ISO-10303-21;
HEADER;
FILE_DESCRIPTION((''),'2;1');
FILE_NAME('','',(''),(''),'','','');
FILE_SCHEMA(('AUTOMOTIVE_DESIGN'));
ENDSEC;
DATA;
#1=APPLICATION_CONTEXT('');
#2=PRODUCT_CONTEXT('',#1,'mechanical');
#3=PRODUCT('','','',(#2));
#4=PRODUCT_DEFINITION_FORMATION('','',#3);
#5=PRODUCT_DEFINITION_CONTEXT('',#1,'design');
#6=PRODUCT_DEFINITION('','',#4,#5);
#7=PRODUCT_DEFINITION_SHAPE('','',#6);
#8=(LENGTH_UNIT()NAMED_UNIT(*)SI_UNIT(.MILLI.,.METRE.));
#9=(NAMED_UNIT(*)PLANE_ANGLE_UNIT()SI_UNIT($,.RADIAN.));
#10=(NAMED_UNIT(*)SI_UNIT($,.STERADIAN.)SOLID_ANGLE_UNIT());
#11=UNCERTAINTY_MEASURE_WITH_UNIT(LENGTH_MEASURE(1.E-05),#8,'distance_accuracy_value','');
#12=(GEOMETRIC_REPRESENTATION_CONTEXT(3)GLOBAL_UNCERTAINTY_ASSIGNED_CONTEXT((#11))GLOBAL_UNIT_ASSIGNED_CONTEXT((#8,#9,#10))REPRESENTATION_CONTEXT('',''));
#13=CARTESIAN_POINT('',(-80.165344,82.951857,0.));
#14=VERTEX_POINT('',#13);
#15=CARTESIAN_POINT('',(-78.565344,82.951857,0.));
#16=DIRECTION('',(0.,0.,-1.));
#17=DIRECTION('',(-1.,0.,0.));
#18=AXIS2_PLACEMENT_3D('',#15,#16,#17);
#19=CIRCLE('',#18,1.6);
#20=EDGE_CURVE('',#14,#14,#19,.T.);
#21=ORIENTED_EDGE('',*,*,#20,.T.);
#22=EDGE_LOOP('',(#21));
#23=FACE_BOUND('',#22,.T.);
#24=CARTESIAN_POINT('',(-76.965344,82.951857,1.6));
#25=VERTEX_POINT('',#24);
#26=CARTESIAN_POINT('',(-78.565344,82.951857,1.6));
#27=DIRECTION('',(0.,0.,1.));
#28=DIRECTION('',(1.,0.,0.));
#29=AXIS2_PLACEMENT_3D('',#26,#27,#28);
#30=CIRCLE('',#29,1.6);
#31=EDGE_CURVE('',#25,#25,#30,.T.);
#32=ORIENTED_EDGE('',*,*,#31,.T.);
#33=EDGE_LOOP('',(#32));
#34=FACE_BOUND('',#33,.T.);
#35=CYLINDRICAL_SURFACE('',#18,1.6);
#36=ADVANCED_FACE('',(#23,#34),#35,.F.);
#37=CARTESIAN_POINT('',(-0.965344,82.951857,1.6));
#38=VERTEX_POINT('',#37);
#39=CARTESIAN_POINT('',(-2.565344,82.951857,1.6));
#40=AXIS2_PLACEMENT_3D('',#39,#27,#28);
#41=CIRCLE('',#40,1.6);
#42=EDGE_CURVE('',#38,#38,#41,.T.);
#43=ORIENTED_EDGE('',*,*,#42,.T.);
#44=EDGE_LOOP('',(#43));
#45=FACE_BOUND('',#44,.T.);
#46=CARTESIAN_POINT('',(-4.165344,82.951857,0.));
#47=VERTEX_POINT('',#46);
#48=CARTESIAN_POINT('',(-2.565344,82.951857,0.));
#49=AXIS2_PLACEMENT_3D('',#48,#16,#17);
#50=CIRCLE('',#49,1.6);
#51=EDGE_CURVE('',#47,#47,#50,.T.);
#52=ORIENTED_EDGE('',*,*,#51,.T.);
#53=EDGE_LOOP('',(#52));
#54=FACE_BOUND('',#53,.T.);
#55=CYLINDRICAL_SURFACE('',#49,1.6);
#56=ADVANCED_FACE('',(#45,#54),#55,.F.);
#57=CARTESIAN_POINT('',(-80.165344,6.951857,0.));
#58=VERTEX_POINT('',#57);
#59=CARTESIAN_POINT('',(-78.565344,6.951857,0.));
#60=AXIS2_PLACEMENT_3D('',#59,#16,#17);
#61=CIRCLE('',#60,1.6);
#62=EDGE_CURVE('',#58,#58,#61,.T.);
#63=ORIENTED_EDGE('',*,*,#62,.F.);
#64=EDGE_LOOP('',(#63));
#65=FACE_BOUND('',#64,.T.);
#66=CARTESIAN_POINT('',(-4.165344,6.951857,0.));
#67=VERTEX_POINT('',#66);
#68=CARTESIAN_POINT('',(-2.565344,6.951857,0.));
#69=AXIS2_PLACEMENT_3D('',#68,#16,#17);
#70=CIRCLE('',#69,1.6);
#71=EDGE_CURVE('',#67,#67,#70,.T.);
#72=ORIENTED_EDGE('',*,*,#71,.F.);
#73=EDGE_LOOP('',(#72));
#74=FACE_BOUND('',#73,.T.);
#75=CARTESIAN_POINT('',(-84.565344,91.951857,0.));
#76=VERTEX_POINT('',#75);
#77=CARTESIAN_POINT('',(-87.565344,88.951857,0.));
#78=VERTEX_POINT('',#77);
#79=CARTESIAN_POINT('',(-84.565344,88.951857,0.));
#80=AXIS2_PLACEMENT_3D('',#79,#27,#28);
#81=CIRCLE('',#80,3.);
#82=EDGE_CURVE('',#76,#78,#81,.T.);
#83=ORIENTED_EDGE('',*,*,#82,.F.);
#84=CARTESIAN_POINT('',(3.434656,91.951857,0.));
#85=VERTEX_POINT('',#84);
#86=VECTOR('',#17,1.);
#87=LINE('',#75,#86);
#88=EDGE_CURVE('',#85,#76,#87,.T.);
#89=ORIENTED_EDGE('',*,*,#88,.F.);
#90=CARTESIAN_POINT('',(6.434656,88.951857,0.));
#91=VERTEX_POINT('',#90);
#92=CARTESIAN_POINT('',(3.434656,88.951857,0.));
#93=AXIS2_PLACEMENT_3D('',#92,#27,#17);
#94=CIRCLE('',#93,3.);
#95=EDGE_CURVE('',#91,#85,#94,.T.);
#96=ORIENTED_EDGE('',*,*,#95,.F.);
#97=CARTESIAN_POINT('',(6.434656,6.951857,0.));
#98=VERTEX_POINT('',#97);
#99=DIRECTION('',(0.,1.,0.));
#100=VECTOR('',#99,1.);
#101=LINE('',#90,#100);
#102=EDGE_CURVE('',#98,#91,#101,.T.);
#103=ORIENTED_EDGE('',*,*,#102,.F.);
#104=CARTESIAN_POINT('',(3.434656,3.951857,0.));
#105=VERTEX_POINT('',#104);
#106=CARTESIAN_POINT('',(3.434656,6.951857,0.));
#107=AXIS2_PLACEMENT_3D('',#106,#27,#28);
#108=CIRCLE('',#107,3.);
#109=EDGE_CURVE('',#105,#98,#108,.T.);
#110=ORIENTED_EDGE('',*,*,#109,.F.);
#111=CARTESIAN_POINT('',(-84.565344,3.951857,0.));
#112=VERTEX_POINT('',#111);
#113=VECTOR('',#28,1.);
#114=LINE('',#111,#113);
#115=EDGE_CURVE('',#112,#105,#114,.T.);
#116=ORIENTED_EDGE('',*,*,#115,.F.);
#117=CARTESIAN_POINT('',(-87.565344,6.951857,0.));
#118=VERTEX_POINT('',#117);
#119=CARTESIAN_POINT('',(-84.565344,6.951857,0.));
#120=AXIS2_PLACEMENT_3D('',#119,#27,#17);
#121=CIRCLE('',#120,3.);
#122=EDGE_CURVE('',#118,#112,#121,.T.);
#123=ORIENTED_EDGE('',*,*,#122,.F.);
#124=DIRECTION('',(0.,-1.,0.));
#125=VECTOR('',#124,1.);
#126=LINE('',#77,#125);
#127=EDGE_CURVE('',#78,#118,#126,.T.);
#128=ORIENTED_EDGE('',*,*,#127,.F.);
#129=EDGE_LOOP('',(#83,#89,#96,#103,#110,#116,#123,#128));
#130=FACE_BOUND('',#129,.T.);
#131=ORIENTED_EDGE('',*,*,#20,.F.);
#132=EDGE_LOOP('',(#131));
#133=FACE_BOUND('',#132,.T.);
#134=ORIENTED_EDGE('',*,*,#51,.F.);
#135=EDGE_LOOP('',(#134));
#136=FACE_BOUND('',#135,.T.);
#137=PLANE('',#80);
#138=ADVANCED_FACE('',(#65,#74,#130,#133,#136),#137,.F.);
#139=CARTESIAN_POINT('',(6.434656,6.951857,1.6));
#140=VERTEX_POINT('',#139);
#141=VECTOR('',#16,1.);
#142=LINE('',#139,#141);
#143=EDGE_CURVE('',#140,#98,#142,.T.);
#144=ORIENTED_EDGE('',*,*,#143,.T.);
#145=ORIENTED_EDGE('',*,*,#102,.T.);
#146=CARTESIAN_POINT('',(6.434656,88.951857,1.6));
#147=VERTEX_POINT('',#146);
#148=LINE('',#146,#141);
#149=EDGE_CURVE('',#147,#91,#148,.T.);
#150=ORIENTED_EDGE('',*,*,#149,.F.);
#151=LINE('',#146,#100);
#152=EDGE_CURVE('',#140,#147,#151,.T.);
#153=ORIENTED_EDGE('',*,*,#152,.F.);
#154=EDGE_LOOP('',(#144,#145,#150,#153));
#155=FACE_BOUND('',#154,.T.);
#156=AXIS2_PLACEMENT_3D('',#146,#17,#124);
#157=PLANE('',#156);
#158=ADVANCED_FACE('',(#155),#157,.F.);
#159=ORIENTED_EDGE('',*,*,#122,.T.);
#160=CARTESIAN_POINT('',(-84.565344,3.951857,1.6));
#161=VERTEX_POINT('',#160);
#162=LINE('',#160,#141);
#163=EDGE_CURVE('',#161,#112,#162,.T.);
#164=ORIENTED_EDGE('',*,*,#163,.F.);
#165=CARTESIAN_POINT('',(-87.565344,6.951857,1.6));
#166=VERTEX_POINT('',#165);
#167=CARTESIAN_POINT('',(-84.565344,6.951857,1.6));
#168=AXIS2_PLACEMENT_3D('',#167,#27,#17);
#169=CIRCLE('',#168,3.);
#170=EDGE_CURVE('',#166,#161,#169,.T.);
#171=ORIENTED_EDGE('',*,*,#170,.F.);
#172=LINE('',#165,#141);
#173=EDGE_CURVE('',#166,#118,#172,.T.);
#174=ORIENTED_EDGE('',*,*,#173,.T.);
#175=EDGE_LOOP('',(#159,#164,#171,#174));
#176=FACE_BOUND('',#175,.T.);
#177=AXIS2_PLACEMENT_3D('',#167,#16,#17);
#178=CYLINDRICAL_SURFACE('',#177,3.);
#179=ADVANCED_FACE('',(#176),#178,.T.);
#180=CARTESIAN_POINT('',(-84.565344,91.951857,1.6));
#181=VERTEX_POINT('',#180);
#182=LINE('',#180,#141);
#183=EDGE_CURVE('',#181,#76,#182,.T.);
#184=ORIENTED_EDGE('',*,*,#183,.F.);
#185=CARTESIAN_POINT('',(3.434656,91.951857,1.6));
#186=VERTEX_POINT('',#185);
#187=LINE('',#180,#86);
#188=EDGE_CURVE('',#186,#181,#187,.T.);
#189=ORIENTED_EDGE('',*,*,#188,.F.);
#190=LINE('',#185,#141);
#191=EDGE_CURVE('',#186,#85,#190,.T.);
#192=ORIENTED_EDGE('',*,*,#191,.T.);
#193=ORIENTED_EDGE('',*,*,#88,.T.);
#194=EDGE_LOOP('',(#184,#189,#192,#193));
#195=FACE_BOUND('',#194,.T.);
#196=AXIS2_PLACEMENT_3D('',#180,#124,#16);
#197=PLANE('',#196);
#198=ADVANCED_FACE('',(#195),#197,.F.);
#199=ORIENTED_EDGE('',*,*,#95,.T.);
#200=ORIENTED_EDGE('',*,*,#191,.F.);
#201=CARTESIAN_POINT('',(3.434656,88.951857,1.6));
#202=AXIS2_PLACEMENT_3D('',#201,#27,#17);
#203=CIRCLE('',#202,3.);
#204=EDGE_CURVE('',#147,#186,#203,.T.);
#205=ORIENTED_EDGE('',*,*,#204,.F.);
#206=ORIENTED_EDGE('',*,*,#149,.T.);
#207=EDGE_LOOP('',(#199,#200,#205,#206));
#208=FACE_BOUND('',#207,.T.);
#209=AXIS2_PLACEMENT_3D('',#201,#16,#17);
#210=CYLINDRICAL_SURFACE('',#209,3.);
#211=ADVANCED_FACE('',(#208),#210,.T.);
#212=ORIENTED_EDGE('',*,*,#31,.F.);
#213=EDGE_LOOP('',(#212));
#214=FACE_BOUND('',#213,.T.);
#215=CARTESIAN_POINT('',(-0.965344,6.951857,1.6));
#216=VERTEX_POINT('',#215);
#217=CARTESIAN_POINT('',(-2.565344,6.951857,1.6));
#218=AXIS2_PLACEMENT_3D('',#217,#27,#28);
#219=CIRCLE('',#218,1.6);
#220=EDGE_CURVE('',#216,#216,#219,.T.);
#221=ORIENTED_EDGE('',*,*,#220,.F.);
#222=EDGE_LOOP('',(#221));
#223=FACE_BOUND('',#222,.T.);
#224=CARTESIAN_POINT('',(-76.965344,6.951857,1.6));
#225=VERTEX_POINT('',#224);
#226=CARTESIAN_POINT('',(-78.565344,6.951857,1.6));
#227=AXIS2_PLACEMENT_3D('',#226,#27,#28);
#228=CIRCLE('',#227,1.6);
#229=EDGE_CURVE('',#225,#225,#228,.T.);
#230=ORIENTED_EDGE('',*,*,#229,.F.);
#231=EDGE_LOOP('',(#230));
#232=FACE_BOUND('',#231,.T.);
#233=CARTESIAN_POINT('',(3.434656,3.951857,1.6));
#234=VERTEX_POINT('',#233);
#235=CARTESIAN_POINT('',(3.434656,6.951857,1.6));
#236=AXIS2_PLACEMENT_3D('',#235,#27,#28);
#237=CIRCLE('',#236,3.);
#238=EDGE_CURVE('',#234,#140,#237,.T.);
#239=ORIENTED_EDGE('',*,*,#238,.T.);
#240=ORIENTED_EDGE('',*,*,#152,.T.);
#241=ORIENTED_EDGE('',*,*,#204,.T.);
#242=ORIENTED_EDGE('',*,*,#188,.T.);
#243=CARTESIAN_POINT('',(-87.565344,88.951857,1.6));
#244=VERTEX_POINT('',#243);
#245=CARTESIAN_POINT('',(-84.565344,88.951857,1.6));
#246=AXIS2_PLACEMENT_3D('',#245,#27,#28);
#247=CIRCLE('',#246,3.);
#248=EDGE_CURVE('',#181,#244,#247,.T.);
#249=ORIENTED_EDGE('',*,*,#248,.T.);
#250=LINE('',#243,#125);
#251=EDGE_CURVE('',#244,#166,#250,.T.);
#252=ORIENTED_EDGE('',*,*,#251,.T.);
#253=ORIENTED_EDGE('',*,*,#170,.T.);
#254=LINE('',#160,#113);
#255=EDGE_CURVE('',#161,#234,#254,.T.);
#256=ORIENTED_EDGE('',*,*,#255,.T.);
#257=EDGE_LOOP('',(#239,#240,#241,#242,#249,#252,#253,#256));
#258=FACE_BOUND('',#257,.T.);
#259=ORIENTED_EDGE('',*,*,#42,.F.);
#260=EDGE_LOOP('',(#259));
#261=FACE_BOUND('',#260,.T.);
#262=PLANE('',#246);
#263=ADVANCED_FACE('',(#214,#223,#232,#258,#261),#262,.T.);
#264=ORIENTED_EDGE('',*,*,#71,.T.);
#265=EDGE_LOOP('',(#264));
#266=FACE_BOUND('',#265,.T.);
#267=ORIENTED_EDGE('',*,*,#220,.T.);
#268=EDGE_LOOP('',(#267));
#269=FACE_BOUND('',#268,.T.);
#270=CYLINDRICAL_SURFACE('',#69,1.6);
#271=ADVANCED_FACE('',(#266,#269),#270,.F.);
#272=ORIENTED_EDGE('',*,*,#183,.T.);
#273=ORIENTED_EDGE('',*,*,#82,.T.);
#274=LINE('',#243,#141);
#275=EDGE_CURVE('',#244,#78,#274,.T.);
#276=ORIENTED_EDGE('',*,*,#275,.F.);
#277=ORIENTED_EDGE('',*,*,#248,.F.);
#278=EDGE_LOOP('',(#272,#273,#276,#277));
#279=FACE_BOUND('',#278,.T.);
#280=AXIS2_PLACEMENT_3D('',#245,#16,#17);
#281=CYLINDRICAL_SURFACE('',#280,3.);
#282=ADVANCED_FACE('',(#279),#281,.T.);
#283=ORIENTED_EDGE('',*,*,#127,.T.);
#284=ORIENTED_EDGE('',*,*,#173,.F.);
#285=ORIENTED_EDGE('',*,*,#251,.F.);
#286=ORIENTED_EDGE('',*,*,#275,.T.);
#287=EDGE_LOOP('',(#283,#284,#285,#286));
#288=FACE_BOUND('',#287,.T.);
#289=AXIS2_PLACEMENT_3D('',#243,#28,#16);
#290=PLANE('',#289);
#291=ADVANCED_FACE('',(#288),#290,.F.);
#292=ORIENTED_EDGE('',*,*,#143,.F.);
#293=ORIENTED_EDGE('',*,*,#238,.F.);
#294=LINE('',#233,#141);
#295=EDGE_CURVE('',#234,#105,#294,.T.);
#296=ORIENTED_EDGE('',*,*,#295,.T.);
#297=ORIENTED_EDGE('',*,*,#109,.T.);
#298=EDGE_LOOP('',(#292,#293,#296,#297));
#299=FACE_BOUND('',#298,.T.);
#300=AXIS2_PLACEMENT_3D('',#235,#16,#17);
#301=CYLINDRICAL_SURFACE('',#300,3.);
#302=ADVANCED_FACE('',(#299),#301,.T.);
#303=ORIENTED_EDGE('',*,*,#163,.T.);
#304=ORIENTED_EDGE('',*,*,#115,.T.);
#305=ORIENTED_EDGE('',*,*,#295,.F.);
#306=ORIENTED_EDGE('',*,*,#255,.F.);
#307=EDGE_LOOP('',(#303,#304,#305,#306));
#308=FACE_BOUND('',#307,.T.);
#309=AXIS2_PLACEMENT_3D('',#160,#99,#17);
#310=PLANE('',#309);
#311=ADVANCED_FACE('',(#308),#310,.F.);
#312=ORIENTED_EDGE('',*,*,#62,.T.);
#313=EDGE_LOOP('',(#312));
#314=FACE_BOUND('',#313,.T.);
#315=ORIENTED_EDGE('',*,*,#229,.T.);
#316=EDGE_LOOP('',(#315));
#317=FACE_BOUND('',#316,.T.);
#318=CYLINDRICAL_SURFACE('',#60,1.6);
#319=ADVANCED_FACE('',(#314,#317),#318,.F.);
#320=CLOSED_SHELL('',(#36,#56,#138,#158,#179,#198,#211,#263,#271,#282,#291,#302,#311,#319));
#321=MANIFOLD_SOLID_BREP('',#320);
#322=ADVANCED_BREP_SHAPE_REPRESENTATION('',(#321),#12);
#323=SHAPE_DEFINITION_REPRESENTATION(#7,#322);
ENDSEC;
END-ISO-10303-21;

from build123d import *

# Parameters (mm, degrees)
BOSS_EXTRUDE1_DEPTH        = 1.6
F_3_2_3_2_DIAMETER_HOLE3_D = 3.2


with BuildPart() as part:
    # Sketch1 → Boss-Extrude1 (new body)
    with BuildSketch(Plane.XY):
        with BuildLine():
            Line((-87.56534388, 88.95185693), (-87.56534388, 6.95185693))
            ThreePointArc((-87.56534388, 6.95185693), (-86.686664224, 4.830536587), (-84.56534388, 3.95185693))
            Line((-84.56534388, 3.95185693), (3.43465612, 3.95185693))
            ThreePointArc((3.43465612, 3.95185693), (5.555976464, 4.830536587), (6.43465612, 6.95185693))
            Line((6.43465612, 6.95185693), (6.43465612, 88.95185693))
            ThreePointArc((6.43465612, 88.95185693), (5.555976464, 91.073177274), (3.43465612, 91.95185693))
            Line((3.43465612, 91.95185693), (-84.56534388, 91.95185693))
            ThreePointArc((-84.56534388, 91.95185693), (-86.686664224, 91.073177274), (-87.56534388, 88.95185693))
        make_face()
    extrude(amount=BOSS_EXTRUDE1_DEPTH)

    # Ø3.2 (3.2) Diameter Hole3 (through all)
    with Locations(Plane(origin=(0, 0, 0), x_dir=(-1, 0, 0), z_dir=(0, 0, -1))):
        with Locations((78.56534388, 6.95185693), (78.56534388, 82.95185693), (2.56534388, 82.95185693), (2.56534388, 6.95185693)):
            Hole(F_3_2_3_2_DIAMETER_HOLE3_D / 2)


solid = part.part
